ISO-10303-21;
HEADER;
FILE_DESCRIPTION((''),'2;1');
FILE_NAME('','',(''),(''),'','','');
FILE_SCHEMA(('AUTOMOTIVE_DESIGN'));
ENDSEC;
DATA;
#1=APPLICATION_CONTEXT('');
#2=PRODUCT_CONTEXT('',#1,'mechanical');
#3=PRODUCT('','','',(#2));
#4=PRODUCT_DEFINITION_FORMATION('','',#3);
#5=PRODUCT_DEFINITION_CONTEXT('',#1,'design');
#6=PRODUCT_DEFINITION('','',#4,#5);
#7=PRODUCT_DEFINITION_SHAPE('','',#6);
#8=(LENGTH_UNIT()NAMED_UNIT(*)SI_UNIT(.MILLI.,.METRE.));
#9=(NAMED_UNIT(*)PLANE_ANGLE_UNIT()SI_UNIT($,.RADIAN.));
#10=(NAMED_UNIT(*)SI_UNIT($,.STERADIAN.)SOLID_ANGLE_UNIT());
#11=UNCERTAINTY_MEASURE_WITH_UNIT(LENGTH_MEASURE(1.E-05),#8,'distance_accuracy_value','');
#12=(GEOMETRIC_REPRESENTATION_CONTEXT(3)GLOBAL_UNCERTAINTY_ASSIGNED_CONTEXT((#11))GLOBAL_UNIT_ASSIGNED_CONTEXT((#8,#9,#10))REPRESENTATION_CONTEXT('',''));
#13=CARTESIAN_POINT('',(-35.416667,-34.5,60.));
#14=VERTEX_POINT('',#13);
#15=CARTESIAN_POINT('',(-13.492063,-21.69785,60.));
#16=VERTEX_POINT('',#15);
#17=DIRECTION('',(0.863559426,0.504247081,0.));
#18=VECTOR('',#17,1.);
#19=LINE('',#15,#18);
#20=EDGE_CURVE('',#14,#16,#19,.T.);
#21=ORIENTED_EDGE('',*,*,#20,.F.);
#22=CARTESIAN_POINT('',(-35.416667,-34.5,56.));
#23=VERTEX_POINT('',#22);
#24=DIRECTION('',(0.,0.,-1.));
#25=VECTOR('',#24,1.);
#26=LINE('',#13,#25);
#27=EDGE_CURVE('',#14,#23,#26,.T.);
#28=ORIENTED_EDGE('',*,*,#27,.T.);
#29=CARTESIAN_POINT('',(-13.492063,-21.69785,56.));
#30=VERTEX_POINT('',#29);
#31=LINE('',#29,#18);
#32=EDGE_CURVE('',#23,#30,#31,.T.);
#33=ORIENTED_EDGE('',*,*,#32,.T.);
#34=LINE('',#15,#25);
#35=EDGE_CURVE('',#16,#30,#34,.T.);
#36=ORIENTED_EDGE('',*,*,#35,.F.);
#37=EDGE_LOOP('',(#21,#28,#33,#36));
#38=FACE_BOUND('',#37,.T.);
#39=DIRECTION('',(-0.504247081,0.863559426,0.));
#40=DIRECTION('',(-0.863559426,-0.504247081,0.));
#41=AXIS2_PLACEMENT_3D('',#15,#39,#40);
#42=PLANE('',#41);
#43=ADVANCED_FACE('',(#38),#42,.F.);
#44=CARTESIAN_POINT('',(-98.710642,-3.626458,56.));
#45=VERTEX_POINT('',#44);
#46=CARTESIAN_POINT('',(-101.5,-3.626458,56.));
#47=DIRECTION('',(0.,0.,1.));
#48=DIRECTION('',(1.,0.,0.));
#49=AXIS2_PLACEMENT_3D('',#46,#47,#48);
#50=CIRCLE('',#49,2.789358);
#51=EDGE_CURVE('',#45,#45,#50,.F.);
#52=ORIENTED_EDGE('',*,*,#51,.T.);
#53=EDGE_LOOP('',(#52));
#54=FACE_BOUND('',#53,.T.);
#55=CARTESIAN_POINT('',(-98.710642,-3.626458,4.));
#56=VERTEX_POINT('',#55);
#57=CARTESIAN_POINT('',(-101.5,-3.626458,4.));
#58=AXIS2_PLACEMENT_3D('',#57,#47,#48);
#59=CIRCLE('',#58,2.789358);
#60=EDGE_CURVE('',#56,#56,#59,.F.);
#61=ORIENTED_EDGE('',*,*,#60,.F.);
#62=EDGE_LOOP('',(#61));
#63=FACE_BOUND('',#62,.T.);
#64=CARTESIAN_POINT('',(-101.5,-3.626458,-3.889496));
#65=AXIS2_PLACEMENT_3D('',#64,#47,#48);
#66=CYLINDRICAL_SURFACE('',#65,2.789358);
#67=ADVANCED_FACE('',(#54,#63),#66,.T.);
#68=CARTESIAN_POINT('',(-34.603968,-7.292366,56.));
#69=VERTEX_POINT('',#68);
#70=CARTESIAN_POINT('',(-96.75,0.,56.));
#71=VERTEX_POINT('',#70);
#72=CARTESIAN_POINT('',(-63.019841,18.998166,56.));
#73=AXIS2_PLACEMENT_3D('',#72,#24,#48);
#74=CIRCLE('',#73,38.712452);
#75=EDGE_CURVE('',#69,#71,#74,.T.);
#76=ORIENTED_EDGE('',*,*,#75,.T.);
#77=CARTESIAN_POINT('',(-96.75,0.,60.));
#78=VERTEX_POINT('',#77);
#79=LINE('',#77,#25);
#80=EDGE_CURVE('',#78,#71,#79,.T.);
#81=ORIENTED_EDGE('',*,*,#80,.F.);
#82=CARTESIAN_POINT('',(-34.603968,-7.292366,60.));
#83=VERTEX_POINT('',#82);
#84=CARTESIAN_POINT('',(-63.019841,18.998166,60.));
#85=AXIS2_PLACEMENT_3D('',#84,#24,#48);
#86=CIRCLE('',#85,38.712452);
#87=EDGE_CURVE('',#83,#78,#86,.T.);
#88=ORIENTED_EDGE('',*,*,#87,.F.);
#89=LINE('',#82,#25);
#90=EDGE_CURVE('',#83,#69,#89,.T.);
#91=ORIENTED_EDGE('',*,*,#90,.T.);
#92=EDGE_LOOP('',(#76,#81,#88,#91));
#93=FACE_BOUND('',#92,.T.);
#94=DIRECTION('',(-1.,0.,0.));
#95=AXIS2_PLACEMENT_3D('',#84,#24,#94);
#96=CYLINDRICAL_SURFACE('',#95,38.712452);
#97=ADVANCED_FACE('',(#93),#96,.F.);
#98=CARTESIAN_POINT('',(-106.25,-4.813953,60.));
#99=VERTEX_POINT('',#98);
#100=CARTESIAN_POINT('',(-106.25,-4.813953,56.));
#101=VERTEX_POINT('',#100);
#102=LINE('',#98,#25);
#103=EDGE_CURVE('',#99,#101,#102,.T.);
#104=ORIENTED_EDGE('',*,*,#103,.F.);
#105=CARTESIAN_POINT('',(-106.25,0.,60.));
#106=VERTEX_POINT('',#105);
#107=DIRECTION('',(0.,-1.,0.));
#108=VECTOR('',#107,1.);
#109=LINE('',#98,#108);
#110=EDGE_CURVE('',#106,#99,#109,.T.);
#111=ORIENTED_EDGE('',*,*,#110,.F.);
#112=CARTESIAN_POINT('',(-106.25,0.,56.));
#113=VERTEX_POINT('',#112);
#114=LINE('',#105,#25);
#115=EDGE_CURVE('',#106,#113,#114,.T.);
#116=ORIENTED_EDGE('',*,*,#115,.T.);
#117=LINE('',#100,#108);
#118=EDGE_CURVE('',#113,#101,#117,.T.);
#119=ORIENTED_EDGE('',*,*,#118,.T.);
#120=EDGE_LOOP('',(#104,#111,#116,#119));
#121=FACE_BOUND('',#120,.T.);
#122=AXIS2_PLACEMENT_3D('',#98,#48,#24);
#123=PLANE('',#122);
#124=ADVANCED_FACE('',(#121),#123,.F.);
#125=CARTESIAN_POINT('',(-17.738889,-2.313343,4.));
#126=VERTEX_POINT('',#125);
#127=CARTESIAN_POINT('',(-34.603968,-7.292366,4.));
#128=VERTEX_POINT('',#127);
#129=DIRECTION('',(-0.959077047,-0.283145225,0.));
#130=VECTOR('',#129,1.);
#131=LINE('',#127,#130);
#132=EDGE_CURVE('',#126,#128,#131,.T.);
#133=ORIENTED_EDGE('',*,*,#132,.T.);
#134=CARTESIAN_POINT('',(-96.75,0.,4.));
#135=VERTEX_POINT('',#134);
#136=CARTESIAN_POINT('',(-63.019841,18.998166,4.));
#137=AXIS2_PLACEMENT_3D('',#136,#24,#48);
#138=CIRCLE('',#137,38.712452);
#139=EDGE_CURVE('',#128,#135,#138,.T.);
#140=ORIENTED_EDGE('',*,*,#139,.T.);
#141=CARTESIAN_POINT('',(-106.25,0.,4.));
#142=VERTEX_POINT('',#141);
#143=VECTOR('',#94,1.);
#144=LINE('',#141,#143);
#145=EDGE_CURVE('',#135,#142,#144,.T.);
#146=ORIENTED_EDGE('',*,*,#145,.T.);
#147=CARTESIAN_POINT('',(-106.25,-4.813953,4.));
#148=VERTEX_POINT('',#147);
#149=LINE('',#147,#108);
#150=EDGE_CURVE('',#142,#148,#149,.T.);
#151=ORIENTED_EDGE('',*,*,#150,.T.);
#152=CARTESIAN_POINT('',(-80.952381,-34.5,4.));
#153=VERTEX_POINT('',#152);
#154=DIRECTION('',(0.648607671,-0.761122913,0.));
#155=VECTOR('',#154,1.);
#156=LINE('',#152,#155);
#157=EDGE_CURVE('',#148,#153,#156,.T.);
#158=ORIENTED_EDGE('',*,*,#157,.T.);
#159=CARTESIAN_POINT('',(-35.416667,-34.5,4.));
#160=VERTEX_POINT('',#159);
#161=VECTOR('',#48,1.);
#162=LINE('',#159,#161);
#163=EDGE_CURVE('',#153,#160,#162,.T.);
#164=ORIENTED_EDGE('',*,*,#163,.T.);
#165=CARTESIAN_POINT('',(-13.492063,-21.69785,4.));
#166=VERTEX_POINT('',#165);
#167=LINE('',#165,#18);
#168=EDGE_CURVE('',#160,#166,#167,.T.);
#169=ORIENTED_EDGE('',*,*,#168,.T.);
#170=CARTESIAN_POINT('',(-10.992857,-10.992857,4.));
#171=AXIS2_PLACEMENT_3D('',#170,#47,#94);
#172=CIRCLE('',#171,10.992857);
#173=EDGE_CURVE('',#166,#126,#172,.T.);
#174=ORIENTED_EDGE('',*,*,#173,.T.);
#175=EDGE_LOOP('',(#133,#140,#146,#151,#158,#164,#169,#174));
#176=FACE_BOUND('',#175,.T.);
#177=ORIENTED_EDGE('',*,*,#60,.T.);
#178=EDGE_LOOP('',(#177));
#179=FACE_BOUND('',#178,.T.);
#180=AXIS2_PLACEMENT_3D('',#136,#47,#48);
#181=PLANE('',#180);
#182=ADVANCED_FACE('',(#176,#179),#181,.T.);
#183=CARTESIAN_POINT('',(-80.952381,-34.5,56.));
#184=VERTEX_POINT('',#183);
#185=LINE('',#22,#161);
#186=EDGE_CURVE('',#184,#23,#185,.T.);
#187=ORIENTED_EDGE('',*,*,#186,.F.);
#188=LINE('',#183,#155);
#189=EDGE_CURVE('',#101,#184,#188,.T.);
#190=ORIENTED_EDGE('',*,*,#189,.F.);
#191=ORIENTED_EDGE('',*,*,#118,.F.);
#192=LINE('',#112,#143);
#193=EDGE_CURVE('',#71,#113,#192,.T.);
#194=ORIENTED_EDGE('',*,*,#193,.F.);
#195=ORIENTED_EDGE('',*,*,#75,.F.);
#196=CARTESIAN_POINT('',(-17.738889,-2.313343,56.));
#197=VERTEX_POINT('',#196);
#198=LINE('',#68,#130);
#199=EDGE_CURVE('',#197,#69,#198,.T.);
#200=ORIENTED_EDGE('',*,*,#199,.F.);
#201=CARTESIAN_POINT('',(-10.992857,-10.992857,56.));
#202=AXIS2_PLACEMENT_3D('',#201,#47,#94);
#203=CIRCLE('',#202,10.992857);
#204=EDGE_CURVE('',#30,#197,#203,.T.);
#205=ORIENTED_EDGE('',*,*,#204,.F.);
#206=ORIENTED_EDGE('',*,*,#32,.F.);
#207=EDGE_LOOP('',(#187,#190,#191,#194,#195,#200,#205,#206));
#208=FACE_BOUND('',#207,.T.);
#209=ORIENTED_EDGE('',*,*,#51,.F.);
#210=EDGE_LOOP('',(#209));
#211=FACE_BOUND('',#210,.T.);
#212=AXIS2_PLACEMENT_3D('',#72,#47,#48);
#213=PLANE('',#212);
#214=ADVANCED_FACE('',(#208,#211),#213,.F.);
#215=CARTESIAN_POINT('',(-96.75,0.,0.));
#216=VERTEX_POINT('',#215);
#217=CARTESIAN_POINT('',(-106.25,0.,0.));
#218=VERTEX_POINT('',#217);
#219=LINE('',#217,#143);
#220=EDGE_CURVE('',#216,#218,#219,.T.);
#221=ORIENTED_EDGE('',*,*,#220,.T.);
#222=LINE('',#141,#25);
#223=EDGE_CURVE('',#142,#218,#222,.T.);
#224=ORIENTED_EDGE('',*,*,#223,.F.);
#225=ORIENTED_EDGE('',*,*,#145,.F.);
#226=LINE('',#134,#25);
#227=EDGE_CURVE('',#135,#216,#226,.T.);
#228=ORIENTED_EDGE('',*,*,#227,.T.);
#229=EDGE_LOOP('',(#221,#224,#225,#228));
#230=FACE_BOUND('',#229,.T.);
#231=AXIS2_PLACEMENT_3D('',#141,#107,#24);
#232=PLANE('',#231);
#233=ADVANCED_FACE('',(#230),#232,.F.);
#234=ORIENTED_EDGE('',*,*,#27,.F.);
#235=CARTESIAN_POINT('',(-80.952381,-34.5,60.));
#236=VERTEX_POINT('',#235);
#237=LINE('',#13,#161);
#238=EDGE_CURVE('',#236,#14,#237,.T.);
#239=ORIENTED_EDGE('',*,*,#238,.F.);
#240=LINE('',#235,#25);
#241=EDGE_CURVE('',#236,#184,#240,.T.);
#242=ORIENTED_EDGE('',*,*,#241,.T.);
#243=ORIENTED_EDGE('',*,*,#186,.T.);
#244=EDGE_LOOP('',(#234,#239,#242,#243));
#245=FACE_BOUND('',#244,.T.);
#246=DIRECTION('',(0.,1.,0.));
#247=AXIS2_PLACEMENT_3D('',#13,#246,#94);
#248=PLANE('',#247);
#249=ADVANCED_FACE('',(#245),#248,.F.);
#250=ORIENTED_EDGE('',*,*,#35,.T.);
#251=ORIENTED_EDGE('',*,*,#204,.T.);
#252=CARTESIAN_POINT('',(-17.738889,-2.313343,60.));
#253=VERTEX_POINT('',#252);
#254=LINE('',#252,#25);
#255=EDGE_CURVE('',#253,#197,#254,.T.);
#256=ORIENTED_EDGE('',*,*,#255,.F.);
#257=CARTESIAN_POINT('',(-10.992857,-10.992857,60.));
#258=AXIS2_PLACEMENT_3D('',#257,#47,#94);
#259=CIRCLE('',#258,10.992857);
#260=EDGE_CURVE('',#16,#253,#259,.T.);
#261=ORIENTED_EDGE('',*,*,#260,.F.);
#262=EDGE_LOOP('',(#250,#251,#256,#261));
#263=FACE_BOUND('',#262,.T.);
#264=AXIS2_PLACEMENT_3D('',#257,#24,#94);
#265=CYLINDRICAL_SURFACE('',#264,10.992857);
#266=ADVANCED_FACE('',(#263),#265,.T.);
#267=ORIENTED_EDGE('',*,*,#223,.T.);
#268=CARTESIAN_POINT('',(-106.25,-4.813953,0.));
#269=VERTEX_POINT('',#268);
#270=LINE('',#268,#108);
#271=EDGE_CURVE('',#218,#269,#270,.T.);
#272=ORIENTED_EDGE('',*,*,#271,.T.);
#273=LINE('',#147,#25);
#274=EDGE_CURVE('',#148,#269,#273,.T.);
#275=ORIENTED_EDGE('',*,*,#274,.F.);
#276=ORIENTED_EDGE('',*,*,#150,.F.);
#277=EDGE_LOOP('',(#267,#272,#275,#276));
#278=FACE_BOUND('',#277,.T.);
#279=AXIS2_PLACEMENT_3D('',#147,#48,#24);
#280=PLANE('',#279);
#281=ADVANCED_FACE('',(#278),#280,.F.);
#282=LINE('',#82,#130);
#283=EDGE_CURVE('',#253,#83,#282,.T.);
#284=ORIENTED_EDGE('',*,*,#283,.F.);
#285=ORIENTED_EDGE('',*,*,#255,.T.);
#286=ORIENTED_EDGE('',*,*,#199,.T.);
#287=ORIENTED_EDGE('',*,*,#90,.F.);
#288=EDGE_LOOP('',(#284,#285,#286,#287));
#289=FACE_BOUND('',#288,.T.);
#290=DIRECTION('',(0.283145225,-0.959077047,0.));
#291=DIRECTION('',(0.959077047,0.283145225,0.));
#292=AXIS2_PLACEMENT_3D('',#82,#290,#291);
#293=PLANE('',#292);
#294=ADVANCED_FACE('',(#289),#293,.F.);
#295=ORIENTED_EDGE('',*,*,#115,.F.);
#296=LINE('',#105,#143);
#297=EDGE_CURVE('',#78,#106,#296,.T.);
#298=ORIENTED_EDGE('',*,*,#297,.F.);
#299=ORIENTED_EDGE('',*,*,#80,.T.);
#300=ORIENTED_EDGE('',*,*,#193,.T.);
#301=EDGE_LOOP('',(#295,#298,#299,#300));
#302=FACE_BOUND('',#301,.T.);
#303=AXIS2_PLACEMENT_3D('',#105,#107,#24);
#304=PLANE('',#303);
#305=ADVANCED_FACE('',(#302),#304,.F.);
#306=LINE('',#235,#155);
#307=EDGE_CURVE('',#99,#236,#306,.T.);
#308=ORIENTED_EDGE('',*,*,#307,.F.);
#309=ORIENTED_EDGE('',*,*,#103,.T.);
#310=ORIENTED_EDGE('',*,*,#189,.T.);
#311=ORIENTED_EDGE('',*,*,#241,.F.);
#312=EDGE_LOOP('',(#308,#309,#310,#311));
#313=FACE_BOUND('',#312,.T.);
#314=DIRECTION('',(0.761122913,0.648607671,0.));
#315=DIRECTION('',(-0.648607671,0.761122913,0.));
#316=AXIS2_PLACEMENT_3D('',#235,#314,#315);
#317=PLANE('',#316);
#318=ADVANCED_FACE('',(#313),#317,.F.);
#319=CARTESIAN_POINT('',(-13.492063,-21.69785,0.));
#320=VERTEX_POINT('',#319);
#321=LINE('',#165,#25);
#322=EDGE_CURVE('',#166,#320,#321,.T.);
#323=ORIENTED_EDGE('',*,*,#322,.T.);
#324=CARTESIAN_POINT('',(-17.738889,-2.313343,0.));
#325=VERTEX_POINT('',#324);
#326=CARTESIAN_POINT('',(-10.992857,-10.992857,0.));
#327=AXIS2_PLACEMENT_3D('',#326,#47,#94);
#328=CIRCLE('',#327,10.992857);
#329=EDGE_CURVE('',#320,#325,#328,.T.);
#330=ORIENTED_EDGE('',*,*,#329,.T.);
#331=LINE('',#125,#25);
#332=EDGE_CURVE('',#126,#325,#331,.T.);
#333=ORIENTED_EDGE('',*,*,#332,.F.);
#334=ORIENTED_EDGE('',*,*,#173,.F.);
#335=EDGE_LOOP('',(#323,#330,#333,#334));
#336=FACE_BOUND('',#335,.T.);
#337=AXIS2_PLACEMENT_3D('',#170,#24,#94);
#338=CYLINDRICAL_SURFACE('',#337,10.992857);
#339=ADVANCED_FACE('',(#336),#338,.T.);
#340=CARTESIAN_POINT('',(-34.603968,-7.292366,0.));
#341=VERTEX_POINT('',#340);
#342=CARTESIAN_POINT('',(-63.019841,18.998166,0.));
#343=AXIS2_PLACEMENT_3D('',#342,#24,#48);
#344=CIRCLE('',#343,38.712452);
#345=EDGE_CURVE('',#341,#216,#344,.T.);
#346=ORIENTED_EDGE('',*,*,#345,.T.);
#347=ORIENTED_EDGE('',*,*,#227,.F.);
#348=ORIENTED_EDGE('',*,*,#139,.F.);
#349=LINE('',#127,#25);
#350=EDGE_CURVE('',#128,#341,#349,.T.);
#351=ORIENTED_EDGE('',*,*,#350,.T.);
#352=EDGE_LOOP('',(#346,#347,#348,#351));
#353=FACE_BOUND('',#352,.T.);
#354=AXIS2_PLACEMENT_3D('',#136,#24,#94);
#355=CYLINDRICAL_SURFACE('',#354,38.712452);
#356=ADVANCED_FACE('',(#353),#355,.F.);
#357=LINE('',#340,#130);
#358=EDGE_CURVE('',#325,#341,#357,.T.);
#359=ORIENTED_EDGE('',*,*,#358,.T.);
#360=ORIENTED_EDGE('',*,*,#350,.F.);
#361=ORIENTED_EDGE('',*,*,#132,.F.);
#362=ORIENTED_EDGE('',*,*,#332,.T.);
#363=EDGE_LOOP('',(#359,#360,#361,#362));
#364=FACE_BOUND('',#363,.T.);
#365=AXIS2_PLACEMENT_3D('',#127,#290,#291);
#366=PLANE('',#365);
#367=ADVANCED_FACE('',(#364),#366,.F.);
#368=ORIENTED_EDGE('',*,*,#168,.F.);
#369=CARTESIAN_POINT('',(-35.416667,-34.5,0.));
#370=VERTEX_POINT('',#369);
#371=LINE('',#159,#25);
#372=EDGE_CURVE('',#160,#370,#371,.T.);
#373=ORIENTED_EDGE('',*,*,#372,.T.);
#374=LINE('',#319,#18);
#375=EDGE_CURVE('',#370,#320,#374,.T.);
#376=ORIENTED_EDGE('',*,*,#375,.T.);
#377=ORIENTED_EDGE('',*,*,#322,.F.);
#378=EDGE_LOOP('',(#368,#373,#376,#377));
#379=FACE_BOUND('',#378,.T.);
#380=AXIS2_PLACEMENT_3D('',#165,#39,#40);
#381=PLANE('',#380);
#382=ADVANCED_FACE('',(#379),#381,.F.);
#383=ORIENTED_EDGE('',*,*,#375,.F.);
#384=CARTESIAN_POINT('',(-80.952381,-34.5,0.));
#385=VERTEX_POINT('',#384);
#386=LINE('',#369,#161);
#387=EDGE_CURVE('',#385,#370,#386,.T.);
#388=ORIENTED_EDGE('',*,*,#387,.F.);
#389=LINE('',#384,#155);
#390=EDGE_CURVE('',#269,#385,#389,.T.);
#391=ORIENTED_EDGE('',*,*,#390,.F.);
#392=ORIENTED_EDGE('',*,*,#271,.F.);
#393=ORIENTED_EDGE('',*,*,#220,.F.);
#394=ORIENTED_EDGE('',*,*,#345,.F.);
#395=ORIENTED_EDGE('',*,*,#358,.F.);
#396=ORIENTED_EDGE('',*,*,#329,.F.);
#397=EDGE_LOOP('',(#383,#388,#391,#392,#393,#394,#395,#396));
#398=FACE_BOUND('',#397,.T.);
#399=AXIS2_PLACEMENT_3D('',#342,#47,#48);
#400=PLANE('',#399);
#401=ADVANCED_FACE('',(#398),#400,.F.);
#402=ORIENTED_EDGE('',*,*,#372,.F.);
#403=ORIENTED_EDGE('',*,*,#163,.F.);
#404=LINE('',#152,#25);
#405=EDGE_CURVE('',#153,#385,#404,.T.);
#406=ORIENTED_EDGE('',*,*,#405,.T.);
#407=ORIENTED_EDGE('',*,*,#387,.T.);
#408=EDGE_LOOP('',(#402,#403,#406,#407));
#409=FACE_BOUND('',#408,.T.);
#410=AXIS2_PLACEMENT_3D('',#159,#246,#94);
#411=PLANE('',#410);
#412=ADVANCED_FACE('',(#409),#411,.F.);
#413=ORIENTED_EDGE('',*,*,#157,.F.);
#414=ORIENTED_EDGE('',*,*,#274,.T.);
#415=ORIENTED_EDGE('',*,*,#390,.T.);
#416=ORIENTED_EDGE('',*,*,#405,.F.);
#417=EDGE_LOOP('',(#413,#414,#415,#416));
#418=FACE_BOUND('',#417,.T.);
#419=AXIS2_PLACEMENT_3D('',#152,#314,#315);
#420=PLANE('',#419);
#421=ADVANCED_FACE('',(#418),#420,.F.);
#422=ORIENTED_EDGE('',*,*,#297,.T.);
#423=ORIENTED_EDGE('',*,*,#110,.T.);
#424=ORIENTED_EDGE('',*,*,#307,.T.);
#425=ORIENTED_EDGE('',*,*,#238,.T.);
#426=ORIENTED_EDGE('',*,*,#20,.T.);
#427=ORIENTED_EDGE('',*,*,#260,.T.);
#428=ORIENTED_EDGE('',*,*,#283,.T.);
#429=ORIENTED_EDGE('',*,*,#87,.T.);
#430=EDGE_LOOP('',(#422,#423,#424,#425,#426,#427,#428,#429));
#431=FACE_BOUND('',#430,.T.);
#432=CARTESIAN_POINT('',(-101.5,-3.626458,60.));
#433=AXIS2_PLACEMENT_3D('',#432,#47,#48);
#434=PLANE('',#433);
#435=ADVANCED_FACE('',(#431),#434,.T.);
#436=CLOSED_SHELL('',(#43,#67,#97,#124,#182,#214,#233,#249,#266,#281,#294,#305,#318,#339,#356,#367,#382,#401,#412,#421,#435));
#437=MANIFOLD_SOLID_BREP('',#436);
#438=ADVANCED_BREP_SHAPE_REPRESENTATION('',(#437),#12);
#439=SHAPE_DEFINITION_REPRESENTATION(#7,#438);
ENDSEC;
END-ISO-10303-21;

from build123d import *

# Parameters (mm, degrees)
BOSS_EXTRUDE1_DEPTH = 4
LPATTERN1_COUNT     = 2
LPATTERN1_PITCH     = 56
SKETCH2_R           = 2.789357995
BOSS_EXTRUDE2_DEPTH = 56


with BuildPart() as part:
    # Sketch1 → Boss-Extrude1 (new body)
    with BuildSketch(Plane.XY):
        with BuildLine():
            Line((-106.25, 0), (-96.75, 0))
            ThreePointArc((-96.75, 0), (-67.531499401, -19.450486235), (-34.603968254, -7.292366126))
            Line((-34.603968254, -7.292366126), (-17.738888889, -2.31334311))
            ThreePointArc((-17.738888889, -2.31334311), (-0.254682932, -8.640300495), (-13.492063492, -21.697850174))
            Line((-13.492063492, -21.697850174), (-35.416666667, -34.5))
            Line((-35.416666667, -34.5), (-80.952380952, -34.5))
            Line((-80.952380952, -34.5), (-106.25, -4.813953488))
            Line((-106.25, -4.813953488), (-106.25, 0))
        make_face()
    extrude(amount=BOSS_EXTRUDE1_DEPTH)


with BuildPart() as lpattern1_1:
    # LPattern1: pattern copy
    add(part.part.moved(Location(Vector(0, 0, 1) * (1 * LPATTERN1_PITCH))))


with BuildPart() as part_1:
    add(part.part)

    add(lpattern1_1.part)  # Boss-Extrude2 merges LPattern1_1
    # Sketch2 → Boss-Extrude2 (add)
    with BuildSketch(Plane.XY.offset(60)):
        with Locations((-101.5, -3.626457861)):
            Circle(SKETCH2_R)
    extrude(amount=-BOSS_EXTRUDE2_DEPTH)


solid = part_1.part
